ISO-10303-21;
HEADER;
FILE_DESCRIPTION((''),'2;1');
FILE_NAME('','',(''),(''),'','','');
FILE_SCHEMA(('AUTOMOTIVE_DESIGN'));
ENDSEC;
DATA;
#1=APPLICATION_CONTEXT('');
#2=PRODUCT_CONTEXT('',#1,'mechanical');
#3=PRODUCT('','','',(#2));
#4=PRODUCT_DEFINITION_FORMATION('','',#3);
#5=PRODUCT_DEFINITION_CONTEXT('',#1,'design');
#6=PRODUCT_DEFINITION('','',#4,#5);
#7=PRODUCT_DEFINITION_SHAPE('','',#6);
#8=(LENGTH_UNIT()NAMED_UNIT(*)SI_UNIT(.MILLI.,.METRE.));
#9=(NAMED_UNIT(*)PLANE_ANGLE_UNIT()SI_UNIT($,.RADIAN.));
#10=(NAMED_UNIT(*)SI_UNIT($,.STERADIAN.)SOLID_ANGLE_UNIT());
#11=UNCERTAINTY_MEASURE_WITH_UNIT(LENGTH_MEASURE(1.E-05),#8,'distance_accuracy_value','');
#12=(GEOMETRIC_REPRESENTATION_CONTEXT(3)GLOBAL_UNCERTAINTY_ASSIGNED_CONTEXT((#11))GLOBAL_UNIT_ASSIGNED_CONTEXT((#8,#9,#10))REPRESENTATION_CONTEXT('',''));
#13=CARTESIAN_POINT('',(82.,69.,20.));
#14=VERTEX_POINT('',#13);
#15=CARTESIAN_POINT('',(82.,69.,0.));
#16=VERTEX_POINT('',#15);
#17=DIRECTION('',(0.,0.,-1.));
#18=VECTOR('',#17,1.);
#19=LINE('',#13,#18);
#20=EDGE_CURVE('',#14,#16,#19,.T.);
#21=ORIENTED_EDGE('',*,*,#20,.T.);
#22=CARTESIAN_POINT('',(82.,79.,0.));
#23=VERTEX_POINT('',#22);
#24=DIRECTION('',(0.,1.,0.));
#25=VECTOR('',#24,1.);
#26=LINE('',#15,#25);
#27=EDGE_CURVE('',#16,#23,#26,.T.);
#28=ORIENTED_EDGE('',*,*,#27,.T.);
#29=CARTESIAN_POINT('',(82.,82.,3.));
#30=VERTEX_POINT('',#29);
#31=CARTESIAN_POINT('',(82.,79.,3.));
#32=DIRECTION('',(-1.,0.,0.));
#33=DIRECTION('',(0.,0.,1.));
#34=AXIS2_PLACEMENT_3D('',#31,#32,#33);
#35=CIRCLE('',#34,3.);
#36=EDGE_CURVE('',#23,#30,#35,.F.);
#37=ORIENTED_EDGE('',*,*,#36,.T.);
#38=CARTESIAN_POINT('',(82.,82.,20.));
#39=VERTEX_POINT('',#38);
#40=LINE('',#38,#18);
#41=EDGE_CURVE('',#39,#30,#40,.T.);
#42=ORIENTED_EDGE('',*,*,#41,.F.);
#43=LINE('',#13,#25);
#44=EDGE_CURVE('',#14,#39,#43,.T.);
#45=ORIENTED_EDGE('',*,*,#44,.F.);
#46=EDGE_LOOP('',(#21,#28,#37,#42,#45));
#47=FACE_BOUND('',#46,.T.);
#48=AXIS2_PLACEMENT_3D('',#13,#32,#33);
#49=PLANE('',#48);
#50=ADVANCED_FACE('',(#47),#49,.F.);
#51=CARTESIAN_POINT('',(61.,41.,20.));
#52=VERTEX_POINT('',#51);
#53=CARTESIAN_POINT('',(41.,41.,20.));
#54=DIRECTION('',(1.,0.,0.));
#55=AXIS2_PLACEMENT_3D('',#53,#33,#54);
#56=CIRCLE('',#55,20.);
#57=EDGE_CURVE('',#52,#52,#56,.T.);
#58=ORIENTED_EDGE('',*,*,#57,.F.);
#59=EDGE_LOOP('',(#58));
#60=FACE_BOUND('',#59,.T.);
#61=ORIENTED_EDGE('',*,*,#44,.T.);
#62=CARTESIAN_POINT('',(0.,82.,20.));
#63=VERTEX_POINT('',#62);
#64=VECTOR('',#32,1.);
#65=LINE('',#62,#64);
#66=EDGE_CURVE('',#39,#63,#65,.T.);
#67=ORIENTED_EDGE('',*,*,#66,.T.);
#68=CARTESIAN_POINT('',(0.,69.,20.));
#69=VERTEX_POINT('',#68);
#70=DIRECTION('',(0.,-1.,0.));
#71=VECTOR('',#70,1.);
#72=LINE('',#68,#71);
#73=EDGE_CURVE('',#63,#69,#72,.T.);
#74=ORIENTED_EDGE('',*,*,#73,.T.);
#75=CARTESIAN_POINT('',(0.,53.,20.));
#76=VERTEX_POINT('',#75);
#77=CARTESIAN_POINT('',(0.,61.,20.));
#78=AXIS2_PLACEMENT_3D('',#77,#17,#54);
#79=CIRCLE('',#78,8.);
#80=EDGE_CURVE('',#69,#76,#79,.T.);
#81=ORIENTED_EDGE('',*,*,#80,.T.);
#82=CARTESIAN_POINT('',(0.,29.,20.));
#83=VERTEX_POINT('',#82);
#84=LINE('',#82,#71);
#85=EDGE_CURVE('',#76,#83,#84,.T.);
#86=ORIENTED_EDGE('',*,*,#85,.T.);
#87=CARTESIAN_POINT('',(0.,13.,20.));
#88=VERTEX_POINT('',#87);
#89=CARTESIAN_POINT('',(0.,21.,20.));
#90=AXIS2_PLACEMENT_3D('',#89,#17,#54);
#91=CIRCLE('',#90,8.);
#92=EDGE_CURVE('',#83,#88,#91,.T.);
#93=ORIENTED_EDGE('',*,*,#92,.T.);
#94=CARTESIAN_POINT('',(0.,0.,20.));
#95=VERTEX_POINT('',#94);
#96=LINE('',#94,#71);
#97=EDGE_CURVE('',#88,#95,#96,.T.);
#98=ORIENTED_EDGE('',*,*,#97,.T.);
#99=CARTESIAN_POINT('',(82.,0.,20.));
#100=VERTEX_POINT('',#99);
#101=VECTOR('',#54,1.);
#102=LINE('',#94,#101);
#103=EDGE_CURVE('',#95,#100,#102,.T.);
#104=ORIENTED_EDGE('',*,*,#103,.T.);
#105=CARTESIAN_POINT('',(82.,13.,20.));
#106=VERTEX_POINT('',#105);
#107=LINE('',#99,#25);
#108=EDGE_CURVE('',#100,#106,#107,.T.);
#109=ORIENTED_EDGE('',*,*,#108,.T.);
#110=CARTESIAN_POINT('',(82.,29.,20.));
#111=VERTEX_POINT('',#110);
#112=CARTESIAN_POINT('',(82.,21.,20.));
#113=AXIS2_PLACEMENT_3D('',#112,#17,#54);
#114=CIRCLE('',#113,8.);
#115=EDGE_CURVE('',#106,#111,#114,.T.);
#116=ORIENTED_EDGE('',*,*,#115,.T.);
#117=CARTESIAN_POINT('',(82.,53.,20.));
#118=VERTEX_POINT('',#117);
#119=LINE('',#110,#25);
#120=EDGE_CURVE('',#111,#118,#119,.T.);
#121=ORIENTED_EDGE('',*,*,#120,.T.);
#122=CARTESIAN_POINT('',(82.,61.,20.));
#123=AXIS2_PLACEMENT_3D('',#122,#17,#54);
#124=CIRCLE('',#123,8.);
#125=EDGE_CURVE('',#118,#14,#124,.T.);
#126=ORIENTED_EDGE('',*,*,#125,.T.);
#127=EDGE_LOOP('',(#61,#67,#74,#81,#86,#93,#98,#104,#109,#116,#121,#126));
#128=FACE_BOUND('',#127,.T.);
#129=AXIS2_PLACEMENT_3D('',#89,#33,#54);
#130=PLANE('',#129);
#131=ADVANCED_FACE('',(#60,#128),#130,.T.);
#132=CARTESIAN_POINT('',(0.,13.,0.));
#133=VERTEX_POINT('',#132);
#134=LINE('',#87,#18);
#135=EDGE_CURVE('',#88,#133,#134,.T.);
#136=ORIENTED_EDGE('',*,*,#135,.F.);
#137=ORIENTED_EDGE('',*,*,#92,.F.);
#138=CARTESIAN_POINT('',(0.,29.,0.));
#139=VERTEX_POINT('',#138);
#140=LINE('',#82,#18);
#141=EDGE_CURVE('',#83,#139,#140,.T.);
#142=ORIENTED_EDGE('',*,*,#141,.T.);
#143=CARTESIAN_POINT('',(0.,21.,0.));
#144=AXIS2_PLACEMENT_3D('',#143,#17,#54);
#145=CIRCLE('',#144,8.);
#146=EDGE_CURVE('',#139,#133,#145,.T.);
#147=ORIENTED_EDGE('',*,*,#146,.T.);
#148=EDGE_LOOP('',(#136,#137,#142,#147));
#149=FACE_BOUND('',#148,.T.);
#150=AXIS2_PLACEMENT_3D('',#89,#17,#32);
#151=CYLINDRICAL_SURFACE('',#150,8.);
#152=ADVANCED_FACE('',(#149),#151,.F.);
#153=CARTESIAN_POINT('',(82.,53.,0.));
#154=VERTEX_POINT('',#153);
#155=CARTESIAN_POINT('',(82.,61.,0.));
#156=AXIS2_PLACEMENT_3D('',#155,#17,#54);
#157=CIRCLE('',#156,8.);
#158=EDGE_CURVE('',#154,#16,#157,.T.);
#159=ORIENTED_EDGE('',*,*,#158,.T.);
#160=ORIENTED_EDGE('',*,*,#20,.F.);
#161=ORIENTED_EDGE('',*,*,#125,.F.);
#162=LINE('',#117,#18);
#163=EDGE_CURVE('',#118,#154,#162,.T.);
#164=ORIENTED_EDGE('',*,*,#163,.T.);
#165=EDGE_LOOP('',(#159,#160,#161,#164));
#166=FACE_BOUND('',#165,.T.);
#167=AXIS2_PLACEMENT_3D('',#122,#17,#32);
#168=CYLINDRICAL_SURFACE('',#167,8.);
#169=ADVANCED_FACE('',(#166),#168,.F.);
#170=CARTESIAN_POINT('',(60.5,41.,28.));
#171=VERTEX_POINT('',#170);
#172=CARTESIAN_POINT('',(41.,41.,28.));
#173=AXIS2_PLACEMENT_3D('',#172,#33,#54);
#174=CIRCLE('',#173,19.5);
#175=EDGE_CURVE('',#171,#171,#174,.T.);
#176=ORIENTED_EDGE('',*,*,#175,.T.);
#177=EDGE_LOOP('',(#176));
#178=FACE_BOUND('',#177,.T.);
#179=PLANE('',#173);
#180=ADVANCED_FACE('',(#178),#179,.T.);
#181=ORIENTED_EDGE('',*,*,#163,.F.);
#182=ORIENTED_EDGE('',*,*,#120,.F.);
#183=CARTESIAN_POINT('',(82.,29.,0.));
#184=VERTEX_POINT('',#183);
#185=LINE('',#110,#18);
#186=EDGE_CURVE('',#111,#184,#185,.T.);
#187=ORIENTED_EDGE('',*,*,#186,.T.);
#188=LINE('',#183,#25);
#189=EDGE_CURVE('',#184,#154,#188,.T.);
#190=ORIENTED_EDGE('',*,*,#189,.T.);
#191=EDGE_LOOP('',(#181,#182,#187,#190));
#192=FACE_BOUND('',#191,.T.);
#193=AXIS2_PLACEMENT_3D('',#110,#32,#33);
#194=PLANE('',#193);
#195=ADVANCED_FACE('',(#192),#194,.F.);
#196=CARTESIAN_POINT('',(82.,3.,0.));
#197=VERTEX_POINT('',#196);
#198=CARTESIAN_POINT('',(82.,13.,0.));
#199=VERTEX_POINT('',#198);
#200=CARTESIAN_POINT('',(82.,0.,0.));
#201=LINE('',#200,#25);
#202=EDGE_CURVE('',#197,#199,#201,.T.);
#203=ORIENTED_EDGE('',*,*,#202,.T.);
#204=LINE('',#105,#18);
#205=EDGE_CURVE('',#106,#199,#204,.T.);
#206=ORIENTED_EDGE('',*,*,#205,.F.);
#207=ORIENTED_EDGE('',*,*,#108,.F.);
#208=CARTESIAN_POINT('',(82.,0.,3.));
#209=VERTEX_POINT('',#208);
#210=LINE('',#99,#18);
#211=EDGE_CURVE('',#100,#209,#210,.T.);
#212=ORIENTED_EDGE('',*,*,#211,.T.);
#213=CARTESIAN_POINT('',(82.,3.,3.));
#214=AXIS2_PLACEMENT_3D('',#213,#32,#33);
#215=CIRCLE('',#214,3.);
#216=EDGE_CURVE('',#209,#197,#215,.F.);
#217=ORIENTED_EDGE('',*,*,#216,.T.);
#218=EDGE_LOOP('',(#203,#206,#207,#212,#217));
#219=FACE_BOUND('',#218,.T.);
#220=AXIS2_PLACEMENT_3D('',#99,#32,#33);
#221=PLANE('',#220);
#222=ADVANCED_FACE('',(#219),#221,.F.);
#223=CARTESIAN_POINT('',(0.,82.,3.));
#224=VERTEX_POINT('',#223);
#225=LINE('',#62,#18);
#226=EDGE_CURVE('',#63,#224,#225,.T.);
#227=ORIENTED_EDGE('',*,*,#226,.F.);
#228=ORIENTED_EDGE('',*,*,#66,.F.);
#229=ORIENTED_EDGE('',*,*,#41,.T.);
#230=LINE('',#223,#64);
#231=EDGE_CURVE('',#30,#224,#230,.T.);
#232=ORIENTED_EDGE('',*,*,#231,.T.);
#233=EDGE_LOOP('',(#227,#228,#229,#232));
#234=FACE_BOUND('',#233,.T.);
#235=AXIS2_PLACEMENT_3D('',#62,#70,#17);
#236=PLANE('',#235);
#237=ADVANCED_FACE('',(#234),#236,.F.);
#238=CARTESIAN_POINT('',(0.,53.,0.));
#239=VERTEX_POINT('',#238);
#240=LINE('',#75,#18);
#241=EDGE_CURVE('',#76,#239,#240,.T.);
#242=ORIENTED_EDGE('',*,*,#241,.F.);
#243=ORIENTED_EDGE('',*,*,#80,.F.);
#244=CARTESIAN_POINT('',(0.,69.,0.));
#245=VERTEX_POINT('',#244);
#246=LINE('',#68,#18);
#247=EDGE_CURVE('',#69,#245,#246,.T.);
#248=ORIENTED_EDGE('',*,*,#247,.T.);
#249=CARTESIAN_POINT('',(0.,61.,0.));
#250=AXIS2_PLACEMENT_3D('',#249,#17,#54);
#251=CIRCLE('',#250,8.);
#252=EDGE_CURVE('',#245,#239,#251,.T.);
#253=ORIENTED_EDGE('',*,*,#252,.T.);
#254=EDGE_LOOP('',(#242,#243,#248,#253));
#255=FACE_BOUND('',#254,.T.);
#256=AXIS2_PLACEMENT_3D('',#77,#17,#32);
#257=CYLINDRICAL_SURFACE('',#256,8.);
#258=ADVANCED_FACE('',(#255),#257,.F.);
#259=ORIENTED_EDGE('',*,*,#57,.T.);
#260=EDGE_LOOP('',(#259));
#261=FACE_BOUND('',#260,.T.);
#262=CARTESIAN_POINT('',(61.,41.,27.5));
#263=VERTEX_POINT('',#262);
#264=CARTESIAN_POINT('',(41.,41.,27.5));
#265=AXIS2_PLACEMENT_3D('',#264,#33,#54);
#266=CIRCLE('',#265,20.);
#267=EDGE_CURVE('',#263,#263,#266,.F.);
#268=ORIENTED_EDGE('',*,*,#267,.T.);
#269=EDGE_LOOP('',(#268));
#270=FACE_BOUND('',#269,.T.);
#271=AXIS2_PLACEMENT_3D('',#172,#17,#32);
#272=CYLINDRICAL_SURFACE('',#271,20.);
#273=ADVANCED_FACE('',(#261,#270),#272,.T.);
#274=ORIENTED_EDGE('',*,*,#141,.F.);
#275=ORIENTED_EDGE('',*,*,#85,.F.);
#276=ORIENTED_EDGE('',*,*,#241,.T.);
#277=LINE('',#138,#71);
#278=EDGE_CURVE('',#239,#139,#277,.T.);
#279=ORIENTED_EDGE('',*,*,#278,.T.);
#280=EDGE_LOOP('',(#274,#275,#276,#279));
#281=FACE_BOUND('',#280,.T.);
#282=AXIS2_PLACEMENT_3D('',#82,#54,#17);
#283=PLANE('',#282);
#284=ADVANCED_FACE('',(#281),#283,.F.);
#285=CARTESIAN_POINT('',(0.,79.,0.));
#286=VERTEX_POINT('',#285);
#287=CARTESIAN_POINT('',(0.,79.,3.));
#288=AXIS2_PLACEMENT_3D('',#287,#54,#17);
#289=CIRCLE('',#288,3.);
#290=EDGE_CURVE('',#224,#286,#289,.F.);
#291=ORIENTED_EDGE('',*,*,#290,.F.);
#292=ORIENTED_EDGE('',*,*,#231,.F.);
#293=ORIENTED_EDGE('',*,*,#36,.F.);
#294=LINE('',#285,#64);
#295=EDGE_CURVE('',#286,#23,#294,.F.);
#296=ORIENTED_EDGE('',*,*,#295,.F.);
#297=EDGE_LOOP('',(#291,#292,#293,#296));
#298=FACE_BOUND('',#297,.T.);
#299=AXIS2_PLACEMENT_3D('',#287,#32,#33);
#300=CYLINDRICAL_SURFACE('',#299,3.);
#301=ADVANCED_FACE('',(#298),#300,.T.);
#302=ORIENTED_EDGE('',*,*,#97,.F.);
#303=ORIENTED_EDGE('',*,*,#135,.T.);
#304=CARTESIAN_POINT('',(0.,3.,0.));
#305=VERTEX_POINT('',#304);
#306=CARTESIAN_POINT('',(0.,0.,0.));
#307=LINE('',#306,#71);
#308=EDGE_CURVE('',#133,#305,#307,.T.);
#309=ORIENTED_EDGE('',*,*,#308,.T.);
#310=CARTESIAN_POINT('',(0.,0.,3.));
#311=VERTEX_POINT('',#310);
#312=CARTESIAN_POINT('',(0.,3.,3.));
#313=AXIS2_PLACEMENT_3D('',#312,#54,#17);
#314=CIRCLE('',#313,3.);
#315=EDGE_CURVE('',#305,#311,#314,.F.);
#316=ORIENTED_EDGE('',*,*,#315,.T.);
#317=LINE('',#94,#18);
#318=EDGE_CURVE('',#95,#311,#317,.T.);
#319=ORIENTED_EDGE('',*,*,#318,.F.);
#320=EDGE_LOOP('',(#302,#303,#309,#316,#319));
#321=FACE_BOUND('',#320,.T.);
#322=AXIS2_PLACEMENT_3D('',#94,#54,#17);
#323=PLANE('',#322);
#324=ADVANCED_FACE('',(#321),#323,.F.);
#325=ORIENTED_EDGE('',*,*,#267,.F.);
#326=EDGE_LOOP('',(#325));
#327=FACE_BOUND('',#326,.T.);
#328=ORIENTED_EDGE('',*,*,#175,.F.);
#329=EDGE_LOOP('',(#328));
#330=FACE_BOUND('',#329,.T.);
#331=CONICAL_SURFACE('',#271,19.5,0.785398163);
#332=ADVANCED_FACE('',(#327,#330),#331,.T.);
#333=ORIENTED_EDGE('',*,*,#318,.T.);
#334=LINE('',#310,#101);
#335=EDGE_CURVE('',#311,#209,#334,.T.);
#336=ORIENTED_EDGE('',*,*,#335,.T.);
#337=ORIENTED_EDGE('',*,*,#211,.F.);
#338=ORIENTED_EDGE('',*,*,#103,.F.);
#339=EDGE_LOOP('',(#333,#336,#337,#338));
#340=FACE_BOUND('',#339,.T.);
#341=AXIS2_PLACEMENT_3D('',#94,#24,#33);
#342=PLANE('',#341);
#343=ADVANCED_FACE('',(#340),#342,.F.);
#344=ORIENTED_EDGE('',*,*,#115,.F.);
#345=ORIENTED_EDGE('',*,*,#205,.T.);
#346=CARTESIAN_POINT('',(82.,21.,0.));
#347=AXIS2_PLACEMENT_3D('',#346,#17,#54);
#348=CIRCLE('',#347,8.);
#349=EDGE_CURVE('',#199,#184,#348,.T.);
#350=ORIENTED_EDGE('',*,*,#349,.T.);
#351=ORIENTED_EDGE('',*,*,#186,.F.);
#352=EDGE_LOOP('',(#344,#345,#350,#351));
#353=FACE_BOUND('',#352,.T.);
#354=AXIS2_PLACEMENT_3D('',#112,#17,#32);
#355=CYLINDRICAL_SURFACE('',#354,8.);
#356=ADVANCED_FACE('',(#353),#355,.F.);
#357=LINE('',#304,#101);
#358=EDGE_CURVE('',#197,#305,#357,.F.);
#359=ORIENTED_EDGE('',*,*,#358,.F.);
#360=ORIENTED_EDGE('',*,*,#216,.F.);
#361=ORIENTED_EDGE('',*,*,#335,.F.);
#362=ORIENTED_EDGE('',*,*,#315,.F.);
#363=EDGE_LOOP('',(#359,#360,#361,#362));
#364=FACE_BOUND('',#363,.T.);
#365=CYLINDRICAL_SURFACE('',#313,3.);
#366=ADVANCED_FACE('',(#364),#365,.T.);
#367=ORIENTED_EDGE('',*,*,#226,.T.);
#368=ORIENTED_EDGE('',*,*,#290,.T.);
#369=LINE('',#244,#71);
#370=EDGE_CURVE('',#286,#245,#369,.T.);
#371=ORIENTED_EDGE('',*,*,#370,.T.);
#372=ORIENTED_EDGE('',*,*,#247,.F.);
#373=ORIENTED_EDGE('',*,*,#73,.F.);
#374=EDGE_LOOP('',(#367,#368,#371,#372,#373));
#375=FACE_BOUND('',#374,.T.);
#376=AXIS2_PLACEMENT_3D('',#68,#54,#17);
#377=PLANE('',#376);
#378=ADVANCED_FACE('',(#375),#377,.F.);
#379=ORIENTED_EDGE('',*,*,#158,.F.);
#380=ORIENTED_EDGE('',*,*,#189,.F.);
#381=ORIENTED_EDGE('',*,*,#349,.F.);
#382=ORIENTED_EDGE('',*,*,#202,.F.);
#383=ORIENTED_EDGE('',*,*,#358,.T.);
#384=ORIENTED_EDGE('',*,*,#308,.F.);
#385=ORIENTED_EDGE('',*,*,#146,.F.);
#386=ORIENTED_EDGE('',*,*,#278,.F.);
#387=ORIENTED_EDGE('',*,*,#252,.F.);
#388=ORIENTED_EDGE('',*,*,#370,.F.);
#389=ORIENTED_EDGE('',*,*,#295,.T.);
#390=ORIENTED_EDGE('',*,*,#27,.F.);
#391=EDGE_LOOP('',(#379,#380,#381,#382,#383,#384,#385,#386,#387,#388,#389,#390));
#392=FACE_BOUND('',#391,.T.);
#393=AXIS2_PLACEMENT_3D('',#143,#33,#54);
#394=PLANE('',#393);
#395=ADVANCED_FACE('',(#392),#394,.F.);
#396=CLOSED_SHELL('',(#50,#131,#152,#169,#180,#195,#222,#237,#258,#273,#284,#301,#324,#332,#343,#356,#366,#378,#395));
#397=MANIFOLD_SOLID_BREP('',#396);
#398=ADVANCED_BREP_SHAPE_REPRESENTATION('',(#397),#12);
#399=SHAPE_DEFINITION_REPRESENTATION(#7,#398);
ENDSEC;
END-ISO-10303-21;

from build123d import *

# Parameters (mm, degrees)
BOSS_EXTRUDE1_DEPTH = 20
SKETCH2_R           = 20
BOSS_EXTRUDE2_DEPTH = 8
CHAMFER1_SIZE       = 0.5
FILLET1_R           = 3


with BuildPart() as part:
    # Sketch1 → Boss-Extrude1 (new body)
    with BuildSketch(Plane.XY):
        with BuildLine():
            Line((0, 69), (0, 82))
            Line((0, 82), (82, 82))
            Line((82, 82), (82, 69))
            ThreePointArc((82, 69), (74, 61), (82, 53))
            Line((82, 53), (82, 29))
            ThreePointArc((82, 29), (74, 21), (82, 13))
            Line((82, 13), (82, 0))
            Line((82, 0), (0, 0))
            Line((0, 0), (0, 13))
            ThreePointArc((0, 13), (8, 21), (0, 29))
            Line((0, 29), (0, 53))
            ThreePointArc((0, 53), (8, 61), (0, 69))
        make_face()
    extrude(amount=BOSS_EXTRUDE1_DEPTH)

    # Sketch2 → Boss-Extrude2 (add)
    with BuildSketch(Plane.XY.offset(20)):
        with Locations((41, 41)):
            Circle(SKETCH2_R)
    extrude(amount=BOSS_EXTRUDE2_DEPTH)

    # Chamfer1
    chamfer1_edges = [part.edges().sort_by_distance(p)[0] for p in [
        (21, 41, 28),
    ]]
    chamfer(chamfer1_edges, length=CHAMFER1_SIZE)

    # Fillet1
    fillet1_edges = [part.edges().sort_by_distance(p)[0] for p in [
        (41, 82, 0),
        (41, 0, 0),
    ]]
    fillet(fillet1_edges, radius=FILLET1_R)


solid = part.part
